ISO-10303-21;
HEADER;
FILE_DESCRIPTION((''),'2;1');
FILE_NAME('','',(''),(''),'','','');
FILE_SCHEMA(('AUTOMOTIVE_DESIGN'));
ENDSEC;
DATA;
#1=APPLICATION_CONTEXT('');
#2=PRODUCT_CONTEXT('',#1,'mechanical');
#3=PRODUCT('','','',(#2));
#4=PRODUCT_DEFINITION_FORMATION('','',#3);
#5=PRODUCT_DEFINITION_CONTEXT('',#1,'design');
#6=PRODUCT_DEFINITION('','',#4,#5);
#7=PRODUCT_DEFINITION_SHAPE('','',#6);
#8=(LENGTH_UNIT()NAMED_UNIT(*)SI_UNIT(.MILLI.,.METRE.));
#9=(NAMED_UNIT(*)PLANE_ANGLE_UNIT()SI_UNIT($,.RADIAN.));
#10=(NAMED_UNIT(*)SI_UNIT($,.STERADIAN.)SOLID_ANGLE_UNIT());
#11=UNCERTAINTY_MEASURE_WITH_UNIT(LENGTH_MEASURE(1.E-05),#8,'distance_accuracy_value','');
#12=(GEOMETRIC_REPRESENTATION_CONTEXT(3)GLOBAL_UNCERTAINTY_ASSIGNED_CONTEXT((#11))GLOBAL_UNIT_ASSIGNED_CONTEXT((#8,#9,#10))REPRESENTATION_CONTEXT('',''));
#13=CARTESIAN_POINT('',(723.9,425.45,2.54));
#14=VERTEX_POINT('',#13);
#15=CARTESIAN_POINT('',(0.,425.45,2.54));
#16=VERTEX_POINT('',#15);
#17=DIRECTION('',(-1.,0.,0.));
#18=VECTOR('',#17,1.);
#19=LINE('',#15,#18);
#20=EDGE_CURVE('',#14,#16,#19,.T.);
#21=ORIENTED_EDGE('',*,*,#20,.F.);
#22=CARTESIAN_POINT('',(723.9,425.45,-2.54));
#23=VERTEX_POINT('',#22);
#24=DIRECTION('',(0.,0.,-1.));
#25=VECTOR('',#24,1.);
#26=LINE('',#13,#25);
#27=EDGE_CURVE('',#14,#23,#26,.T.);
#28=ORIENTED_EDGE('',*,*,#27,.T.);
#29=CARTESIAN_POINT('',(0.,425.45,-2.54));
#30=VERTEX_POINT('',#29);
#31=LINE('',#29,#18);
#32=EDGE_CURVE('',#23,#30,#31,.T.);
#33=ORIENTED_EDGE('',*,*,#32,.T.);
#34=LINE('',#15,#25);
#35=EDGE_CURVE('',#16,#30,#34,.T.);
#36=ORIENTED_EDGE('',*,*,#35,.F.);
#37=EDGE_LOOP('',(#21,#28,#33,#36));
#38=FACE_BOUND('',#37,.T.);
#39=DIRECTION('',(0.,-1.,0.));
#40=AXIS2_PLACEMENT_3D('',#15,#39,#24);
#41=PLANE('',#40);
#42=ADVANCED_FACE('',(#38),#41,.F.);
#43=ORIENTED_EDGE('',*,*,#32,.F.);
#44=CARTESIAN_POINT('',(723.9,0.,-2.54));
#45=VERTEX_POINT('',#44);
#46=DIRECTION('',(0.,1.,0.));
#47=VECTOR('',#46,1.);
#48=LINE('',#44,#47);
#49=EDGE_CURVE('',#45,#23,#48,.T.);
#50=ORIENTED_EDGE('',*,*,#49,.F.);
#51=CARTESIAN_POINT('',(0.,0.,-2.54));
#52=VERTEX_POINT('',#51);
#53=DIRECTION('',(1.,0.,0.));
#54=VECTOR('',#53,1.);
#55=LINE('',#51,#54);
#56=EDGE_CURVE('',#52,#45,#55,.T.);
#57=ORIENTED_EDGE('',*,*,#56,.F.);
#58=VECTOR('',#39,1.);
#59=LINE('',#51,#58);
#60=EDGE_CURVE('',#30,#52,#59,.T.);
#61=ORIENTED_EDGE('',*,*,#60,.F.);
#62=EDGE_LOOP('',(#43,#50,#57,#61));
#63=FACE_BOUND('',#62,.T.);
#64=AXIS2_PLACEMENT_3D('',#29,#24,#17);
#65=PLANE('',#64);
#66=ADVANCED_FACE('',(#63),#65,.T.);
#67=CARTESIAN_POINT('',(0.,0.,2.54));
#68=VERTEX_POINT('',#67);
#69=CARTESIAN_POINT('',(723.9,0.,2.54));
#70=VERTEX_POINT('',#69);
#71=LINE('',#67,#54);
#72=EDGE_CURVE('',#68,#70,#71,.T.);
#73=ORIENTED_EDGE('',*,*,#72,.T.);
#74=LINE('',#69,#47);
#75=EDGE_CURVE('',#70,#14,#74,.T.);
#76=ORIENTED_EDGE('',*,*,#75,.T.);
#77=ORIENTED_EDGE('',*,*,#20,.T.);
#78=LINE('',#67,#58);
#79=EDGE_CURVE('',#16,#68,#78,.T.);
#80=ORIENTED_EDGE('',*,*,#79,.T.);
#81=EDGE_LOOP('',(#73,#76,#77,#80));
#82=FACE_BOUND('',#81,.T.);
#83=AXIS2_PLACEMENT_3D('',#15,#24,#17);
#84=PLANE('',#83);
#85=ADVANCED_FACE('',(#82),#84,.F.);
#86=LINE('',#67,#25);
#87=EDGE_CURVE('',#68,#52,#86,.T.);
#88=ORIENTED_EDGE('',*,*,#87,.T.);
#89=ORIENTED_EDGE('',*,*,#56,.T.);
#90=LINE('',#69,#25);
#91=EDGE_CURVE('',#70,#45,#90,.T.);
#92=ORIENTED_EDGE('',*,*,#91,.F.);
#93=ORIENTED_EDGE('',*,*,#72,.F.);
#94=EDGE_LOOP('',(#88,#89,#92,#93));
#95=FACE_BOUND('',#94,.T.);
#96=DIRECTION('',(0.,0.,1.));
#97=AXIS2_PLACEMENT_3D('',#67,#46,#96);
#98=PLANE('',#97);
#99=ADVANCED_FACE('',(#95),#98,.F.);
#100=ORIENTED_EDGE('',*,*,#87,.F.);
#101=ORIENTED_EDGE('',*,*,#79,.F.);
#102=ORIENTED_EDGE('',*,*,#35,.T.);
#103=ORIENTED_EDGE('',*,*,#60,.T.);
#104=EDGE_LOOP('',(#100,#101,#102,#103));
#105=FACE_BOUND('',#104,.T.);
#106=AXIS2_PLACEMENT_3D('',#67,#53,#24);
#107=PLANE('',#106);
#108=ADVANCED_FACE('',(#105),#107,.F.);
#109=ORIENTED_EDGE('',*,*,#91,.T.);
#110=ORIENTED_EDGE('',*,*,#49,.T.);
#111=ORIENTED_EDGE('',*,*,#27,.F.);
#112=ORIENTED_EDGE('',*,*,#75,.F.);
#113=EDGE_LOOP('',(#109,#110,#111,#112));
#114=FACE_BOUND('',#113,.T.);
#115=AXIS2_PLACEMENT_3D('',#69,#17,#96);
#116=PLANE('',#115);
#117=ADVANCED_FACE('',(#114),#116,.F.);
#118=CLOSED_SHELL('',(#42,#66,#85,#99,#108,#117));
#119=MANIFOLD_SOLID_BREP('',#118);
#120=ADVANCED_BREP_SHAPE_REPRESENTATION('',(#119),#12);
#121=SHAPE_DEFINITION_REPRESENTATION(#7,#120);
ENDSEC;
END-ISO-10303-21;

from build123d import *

# Parameters (mm, degrees)
SKETCH1_W      = 723.9
SKETCH1_H      = 425.45
EXTRUDE1_DEPTH = 2.54


with BuildPart() as part:
    # Sketch1 → Extrude1 (new body, symmetric)
    with BuildSketch(Plane.XY):
        with Locations((361.95, 212.725)):
            Rectangle(SKETCH1_W, SKETCH1_H)
    extrude(amount=EXTRUDE1_DEPTH, both=True)


solid = part.part
